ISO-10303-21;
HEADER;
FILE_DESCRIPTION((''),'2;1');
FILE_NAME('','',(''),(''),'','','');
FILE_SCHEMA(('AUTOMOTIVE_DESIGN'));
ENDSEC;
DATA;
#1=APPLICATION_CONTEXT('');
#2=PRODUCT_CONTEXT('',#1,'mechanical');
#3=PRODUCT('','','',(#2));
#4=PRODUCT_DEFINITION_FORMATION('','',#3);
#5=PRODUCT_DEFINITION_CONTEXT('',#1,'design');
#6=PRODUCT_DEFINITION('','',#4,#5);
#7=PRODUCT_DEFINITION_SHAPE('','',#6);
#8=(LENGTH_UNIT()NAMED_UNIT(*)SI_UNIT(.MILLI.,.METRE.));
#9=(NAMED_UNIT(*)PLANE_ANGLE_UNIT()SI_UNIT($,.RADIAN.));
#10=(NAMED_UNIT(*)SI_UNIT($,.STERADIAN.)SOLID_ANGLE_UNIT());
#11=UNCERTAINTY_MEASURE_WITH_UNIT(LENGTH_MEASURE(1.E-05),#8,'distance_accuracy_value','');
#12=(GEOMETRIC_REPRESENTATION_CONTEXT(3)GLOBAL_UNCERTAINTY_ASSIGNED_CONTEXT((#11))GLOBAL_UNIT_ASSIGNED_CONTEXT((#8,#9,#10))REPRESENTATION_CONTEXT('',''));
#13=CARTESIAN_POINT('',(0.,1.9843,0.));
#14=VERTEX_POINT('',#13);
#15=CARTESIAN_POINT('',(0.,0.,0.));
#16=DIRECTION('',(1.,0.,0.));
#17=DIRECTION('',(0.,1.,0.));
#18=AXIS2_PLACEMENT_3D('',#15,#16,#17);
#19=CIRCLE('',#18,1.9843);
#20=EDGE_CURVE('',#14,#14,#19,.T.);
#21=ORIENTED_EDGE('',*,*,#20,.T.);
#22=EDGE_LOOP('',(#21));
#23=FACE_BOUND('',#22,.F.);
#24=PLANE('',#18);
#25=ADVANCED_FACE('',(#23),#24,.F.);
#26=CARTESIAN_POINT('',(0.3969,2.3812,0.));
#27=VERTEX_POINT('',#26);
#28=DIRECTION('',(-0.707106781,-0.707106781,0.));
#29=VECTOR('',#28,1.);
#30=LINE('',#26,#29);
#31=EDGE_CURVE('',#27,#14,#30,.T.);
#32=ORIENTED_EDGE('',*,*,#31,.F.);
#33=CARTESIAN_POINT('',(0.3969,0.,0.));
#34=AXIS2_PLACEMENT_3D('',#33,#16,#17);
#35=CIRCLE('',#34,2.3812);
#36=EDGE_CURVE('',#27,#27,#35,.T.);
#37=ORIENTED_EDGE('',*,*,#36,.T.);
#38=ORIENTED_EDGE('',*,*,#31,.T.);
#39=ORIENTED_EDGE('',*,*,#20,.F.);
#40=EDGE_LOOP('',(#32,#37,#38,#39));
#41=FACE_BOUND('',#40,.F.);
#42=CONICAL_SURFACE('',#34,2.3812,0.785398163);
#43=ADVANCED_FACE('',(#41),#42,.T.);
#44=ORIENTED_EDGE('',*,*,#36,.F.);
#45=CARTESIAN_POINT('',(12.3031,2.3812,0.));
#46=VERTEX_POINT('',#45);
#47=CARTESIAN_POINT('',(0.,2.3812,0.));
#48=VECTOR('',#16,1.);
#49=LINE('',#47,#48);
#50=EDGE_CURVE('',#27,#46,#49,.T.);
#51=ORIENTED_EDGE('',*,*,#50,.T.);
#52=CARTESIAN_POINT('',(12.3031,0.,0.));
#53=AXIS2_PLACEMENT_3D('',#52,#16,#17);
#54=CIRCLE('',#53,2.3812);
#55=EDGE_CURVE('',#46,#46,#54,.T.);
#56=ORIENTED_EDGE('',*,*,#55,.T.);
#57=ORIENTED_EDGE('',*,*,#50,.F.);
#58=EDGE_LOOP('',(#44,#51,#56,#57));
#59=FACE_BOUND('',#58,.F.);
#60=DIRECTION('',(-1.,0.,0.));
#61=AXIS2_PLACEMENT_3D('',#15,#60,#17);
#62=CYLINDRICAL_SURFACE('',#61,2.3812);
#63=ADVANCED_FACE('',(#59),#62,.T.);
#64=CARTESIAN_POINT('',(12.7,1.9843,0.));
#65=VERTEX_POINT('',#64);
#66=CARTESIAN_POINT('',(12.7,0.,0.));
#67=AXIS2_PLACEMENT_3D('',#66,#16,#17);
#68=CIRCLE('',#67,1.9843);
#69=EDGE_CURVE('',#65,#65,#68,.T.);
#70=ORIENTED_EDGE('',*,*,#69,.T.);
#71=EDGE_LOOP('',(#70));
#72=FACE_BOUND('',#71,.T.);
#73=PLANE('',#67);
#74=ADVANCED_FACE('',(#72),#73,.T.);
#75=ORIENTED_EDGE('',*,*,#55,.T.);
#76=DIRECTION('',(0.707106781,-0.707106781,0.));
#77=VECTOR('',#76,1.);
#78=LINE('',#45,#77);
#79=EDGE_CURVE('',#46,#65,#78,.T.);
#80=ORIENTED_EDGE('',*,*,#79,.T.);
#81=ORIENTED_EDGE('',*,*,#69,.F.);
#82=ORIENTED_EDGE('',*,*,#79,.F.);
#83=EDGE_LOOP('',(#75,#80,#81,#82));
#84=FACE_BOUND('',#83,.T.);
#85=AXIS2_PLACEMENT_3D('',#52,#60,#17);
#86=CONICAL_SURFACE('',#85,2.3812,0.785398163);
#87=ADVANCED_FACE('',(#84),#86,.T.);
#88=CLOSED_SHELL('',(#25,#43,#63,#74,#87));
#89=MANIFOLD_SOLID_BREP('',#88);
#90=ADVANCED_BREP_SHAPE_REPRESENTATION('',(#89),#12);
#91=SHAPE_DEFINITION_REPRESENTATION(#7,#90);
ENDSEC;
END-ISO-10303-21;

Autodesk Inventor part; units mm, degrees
ref_plane "YZ Plane" through (0, 0, 0) normal (1, 0, 0) x (0, 1, 0)
ref_plane "XZ Plane" through (0, 0, 0) normal (0, 1, 0) x (-1, 0, 0)
ref_plane "XY Plane" through (0, 0, 0) normal (0, 0, 1) x (1, 0, 0)
sketch "Sketch1" plane through (0, 0, 0) normal (1, 0, 0) x (0, 1, 0)
  circle A0 centre (0, 0) radius 2.3812
  dimension "d0" = 4.7625
extrude "Extrusion1" add sketch "Sketch1" along normal blind 12.7
chamfer "Chamfer1" distance 0.3969 angle 45 2 edges at (12.7, -2.3812, 0) (0, -2.3812, 0)
properties part number "Pin" material "Stainless Steel"
